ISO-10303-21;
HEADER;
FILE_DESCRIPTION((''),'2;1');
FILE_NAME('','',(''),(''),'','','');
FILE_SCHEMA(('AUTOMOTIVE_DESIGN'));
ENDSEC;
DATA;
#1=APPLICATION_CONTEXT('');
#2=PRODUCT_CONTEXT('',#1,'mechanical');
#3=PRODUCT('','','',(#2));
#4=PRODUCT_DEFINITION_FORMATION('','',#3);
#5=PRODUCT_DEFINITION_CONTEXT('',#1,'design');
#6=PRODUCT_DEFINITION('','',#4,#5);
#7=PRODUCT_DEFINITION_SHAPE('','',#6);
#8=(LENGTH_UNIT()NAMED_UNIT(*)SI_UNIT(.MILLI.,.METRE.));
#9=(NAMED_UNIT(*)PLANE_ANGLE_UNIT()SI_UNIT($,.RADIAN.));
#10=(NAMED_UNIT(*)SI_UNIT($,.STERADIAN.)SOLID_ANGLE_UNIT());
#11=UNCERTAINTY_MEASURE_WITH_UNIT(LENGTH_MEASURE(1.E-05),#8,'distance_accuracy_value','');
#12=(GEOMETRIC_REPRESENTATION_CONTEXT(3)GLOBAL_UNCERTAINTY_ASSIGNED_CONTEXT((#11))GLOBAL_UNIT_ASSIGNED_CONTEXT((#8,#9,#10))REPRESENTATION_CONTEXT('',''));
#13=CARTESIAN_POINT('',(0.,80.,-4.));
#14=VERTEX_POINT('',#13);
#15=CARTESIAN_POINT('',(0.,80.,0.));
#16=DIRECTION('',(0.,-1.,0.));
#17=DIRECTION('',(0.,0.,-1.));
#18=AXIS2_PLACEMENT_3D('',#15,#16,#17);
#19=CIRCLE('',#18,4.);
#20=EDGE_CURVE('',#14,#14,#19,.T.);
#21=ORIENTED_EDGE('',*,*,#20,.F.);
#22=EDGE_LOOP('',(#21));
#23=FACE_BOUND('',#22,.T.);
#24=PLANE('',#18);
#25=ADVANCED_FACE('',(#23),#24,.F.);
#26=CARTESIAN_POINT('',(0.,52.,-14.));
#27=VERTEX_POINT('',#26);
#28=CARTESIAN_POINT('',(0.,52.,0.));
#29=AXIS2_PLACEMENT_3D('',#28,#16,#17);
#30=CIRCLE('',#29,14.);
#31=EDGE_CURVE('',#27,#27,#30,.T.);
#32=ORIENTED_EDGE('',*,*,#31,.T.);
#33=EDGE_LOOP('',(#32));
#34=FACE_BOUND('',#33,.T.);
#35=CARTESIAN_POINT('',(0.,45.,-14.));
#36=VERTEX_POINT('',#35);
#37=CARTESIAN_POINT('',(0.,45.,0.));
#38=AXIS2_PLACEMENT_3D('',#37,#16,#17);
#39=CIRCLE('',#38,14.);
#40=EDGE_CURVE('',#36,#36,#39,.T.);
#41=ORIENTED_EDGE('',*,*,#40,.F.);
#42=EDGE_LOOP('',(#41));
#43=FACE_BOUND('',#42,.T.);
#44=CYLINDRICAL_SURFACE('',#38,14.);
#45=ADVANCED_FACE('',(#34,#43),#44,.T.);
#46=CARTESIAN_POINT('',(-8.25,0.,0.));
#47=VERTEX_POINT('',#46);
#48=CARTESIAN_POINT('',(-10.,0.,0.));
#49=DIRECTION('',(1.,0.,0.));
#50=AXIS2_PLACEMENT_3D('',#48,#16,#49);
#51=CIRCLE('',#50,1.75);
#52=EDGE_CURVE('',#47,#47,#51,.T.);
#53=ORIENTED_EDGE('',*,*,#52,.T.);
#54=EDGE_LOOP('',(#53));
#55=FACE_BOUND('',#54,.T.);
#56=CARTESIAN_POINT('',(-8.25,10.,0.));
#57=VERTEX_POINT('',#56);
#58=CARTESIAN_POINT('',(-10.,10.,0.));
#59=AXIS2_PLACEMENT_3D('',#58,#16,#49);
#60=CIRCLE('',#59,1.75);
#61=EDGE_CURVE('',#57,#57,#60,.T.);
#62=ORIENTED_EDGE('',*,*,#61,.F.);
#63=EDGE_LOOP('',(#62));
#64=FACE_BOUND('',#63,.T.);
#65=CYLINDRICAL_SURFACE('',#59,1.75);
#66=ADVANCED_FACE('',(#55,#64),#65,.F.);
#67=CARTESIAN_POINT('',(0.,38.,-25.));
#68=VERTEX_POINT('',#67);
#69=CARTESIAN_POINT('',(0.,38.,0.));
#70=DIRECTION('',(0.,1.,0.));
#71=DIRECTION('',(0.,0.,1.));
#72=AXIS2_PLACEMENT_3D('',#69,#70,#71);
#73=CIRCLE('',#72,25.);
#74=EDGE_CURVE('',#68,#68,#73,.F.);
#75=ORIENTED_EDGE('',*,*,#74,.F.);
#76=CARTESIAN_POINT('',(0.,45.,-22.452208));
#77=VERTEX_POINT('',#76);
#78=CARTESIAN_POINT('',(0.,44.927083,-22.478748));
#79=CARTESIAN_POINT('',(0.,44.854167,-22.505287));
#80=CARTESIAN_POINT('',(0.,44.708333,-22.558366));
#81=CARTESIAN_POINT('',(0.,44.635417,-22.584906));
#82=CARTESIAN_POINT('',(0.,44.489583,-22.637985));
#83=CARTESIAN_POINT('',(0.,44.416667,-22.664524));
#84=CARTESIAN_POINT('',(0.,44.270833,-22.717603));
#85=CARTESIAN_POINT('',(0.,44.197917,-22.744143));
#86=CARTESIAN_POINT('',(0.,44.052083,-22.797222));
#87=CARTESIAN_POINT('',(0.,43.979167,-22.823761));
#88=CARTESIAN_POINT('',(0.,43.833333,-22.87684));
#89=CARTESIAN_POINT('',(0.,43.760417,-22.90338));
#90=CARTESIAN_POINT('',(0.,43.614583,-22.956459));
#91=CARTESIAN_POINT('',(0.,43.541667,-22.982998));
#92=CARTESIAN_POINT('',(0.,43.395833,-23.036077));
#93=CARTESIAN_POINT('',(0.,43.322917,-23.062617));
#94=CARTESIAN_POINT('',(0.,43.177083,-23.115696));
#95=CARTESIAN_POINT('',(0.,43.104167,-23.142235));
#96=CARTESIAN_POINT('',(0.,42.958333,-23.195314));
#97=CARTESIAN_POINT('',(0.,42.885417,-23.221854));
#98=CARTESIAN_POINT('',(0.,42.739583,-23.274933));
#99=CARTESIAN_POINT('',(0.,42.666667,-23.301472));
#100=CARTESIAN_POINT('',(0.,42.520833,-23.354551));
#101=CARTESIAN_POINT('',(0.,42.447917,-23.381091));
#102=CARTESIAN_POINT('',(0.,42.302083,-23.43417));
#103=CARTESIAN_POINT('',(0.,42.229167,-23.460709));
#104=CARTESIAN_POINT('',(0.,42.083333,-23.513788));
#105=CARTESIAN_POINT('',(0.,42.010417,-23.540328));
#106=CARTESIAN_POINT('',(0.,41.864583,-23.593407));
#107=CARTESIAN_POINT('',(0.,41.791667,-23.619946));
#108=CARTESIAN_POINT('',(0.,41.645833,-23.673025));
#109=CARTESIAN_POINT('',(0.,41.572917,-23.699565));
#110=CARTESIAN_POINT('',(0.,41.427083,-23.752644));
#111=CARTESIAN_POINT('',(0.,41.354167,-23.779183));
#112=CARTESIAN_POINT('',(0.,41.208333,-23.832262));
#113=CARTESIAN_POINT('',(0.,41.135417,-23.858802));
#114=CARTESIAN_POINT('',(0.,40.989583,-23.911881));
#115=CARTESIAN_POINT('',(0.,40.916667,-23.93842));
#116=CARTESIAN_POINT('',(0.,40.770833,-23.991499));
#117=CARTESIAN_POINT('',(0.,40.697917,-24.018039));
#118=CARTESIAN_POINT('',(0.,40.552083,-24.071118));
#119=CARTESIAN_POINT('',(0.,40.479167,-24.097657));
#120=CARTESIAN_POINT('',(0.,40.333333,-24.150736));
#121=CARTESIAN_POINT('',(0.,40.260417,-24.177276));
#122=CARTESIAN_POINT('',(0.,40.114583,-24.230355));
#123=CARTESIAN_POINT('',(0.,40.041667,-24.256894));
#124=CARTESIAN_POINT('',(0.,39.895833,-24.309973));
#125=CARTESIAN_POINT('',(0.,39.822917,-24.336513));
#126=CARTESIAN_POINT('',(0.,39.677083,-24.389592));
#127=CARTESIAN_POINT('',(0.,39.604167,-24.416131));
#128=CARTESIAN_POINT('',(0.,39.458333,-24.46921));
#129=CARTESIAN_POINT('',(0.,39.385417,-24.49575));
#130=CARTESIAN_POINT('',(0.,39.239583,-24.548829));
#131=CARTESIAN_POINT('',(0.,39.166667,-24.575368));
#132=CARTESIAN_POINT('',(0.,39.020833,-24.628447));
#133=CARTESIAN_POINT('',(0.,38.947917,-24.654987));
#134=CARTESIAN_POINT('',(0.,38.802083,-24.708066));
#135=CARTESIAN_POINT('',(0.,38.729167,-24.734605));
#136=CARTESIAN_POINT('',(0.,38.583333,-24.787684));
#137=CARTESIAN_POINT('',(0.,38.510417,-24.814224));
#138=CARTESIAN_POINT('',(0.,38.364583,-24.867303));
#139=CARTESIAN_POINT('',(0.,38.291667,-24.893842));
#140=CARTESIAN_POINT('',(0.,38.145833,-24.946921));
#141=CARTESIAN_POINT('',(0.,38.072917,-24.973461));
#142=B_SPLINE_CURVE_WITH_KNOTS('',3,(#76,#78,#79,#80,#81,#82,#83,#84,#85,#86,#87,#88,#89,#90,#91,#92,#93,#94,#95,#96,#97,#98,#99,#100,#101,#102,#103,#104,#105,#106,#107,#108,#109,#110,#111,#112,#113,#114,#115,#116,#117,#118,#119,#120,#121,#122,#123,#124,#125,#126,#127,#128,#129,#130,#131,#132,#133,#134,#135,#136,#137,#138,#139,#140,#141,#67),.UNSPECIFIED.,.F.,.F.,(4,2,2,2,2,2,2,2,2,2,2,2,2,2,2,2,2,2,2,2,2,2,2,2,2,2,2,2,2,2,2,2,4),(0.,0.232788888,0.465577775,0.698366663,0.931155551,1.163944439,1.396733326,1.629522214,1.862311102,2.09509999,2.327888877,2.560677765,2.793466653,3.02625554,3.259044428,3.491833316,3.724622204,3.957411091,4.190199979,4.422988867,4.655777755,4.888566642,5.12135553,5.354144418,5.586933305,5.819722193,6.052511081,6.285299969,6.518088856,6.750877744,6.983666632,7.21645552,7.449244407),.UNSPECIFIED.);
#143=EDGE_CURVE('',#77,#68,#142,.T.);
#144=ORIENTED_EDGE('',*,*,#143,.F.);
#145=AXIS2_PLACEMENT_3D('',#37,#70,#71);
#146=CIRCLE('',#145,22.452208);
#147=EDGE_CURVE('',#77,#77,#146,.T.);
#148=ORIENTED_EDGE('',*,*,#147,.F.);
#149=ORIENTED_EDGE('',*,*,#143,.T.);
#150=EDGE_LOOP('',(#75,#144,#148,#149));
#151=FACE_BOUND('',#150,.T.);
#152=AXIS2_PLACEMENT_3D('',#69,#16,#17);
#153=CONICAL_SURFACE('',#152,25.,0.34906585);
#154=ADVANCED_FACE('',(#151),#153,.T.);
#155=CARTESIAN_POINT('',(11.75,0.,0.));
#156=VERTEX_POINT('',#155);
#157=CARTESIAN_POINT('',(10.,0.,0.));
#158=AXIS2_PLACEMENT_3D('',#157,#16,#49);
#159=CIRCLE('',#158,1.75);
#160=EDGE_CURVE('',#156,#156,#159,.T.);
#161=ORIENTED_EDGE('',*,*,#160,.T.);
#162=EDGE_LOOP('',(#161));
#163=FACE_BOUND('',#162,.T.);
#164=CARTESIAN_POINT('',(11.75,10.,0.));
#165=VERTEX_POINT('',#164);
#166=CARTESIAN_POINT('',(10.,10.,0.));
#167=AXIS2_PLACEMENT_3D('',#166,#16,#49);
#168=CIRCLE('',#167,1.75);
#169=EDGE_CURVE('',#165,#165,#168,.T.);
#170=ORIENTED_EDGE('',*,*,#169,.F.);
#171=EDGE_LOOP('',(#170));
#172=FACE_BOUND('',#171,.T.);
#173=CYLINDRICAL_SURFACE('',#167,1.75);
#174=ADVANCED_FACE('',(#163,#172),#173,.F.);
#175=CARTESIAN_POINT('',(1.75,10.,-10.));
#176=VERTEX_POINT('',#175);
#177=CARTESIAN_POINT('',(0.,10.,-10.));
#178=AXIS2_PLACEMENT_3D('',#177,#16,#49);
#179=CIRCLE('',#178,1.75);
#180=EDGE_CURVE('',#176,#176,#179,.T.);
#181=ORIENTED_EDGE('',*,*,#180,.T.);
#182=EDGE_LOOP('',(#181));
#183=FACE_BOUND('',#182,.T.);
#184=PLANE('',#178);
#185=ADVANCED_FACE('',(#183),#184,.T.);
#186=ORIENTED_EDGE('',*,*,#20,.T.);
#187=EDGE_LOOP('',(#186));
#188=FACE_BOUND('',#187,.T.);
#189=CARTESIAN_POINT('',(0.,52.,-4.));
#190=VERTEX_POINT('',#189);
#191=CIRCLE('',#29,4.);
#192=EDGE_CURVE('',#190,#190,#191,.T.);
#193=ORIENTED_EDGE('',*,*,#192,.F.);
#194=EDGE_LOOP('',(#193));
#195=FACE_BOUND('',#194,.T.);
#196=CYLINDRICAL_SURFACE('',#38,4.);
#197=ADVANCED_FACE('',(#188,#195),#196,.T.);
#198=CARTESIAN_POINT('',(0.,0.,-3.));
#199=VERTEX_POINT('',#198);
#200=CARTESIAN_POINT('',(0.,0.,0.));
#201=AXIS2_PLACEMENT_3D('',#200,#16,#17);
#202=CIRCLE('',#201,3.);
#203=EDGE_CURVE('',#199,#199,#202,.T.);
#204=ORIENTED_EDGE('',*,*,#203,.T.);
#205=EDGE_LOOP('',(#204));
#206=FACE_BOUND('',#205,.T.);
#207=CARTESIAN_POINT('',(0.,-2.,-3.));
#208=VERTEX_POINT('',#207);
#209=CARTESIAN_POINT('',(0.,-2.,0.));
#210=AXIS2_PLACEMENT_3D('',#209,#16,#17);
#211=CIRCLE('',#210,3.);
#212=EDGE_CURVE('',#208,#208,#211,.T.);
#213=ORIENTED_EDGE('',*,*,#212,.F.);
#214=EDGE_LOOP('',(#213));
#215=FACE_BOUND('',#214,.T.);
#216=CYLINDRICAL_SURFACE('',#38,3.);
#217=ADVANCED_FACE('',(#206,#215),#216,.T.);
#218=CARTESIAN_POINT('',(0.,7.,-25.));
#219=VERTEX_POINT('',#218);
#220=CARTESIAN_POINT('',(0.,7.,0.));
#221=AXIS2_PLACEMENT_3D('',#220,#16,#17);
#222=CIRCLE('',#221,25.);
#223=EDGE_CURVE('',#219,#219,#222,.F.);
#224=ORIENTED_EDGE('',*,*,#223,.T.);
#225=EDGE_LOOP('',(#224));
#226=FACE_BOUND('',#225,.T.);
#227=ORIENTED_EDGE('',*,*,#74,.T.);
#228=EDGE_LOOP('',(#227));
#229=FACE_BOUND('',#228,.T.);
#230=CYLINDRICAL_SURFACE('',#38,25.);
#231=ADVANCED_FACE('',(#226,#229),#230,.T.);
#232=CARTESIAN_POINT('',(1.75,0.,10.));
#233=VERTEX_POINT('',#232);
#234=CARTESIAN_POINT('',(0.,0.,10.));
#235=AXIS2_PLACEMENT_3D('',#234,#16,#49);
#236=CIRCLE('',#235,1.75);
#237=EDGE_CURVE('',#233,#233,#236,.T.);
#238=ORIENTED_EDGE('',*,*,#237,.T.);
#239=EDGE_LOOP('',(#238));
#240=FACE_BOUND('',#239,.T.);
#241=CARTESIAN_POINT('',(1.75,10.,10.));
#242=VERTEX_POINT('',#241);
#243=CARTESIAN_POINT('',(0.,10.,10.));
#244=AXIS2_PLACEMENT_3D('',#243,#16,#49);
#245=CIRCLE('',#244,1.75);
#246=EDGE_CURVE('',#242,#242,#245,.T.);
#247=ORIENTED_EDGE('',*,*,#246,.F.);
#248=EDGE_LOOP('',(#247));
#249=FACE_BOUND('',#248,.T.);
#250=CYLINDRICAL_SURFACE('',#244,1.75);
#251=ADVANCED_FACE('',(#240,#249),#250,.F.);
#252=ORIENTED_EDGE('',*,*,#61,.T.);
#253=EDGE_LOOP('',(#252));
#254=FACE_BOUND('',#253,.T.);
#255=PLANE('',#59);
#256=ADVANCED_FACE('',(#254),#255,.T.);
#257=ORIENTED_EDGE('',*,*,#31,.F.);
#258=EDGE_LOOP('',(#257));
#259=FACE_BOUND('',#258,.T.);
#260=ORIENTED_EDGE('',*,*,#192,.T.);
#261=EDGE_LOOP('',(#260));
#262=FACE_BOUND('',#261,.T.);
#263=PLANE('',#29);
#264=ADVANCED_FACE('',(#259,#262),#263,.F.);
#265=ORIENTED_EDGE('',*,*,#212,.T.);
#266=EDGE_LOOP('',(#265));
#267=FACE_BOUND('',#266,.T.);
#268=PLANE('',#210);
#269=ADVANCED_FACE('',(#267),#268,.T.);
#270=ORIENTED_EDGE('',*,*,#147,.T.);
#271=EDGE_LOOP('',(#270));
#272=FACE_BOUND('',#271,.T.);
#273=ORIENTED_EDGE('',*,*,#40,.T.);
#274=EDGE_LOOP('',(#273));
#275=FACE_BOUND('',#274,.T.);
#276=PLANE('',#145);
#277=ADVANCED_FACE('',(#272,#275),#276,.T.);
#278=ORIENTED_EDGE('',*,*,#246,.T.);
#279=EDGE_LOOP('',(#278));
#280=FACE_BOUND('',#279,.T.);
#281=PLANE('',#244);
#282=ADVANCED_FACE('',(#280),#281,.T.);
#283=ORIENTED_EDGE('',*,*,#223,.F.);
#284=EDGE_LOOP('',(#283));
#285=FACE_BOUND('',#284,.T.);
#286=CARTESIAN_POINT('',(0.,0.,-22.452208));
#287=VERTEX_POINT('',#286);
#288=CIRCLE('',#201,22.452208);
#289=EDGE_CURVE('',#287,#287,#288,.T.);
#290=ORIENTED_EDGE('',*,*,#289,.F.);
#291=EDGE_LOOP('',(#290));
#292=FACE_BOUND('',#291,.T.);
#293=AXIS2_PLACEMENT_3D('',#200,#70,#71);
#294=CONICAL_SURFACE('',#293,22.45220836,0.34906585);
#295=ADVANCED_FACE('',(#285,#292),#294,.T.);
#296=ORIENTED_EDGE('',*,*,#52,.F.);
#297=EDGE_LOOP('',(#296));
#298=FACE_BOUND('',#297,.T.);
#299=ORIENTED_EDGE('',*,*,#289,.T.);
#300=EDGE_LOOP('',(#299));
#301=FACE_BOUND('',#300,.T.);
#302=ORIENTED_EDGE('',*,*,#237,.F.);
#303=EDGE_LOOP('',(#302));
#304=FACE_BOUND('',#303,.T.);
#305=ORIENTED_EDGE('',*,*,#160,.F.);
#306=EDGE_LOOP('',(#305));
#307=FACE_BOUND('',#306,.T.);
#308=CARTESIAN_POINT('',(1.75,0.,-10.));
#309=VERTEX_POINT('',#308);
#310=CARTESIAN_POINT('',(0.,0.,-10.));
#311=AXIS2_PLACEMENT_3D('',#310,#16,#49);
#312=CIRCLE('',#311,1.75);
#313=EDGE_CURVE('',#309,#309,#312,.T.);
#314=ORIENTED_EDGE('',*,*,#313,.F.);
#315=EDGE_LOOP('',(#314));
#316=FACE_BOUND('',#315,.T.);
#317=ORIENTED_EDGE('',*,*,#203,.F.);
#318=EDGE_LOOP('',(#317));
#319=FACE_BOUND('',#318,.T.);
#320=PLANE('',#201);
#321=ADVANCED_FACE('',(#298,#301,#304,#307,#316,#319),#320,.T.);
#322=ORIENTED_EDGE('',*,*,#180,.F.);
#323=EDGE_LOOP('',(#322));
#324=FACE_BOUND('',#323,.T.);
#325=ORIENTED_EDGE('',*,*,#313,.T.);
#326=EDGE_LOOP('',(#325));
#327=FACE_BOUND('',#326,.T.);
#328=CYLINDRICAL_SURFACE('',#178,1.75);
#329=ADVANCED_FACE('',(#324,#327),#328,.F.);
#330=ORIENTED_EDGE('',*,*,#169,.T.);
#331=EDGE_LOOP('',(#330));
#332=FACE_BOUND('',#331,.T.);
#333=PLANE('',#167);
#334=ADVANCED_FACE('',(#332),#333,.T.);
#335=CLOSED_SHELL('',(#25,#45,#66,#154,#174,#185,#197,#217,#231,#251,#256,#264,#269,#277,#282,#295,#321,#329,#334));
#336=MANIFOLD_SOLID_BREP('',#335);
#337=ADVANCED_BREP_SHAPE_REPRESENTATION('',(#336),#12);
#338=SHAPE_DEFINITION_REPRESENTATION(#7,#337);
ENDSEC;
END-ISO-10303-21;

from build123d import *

# Parameters (mm, degrees)
SKETCH1_W          = 3
SKETCH1_H          = 2
SKETCH1_W_2        = 4
SKETCH1_H_2        = 7
SKETCH1_W_3        = 10
SKETCH1_H_3        = 28
CHAMFER1_SIZE      = 7
CHAMFER1_SIZE2     = 2.54779164
CHAMFER2_SIZE      = 7
CHAMFER2_SIZE2     = 2.54779164
SKETCH2_R          = 1.75
CUT_EXTRUDE1_DEPTH = 10


with BuildPart() as part:
    # Sketch1 → Revolve1 (revolve)
    with BuildSketch(Plane.XY, mode=Mode.PRIVATE) as revolve1_sk:
        Polygon((0, 45), (0, 0), (3, 0), (25, 0), (25, 45), (14, 45), (4, 45), align=None)
        with Locations((1.5, -1)):
            Rectangle(SKETCH1_W, SKETCH1_H)
        with Locations((2, 48.5)):
            Rectangle(SKETCH1_W_2, SKETCH1_H_2)
        with Locations((9, 48.5)):
            Rectangle(SKETCH1_W_3, SKETCH1_H_2)
        with Locations((2, 66)):
            Rectangle(SKETCH1_W_2, SKETCH1_H_3)
    revolve(revolve1_sk.sketch.rotate(Axis((0, 45, 0), (0, 1, 0)), 90), axis=Axis((0, 45, 0), (0, 1, 0)))

    # Chamfer1
    chamfer1_edges = [part.edges().sort_by_distance(p)[0] for p in [
        (0, 0, 25),
    ]]
    chamfer1_side = [part.faces().sort_by_distance(p)[0] for p in [
        (0, 22.5, 25),
    ]]
    chamfer(chamfer1_edges, length=CHAMFER1_SIZE, length2=CHAMFER1_SIZE2, reference=chamfer1_side[0])

    # Chamfer2
    chamfer2_edges = [part.edges().sort_by_distance(p)[0] for p in [
        (0, 45, 25),
    ]]
    chamfer2_side = [part.faces().sort_by_distance(p)[0] for p in [
        (0, 26, 25),
    ]]
    chamfer(chamfer2_edges, length=CHAMFER2_SIZE, length2=CHAMFER2_SIZE2, reference=chamfer2_side[0])

    # Sketch2 → Cut-Extrude1 (cut)
    with BuildSketch(Plane.XZ):
        with Locations((0, 10)):
            Circle(SKETCH2_R)
        with Locations((10, 0)):
            Circle(SKETCH2_R)
        with Locations((0, -10)):
            Circle(SKETCH2_R)
        with Locations((-10, 0)):
            Circle(SKETCH2_R)
    extrude(amount=-CUT_EXTRUDE1_DEPTH, mode=Mode.SUBTRACT)


solid = part.part
